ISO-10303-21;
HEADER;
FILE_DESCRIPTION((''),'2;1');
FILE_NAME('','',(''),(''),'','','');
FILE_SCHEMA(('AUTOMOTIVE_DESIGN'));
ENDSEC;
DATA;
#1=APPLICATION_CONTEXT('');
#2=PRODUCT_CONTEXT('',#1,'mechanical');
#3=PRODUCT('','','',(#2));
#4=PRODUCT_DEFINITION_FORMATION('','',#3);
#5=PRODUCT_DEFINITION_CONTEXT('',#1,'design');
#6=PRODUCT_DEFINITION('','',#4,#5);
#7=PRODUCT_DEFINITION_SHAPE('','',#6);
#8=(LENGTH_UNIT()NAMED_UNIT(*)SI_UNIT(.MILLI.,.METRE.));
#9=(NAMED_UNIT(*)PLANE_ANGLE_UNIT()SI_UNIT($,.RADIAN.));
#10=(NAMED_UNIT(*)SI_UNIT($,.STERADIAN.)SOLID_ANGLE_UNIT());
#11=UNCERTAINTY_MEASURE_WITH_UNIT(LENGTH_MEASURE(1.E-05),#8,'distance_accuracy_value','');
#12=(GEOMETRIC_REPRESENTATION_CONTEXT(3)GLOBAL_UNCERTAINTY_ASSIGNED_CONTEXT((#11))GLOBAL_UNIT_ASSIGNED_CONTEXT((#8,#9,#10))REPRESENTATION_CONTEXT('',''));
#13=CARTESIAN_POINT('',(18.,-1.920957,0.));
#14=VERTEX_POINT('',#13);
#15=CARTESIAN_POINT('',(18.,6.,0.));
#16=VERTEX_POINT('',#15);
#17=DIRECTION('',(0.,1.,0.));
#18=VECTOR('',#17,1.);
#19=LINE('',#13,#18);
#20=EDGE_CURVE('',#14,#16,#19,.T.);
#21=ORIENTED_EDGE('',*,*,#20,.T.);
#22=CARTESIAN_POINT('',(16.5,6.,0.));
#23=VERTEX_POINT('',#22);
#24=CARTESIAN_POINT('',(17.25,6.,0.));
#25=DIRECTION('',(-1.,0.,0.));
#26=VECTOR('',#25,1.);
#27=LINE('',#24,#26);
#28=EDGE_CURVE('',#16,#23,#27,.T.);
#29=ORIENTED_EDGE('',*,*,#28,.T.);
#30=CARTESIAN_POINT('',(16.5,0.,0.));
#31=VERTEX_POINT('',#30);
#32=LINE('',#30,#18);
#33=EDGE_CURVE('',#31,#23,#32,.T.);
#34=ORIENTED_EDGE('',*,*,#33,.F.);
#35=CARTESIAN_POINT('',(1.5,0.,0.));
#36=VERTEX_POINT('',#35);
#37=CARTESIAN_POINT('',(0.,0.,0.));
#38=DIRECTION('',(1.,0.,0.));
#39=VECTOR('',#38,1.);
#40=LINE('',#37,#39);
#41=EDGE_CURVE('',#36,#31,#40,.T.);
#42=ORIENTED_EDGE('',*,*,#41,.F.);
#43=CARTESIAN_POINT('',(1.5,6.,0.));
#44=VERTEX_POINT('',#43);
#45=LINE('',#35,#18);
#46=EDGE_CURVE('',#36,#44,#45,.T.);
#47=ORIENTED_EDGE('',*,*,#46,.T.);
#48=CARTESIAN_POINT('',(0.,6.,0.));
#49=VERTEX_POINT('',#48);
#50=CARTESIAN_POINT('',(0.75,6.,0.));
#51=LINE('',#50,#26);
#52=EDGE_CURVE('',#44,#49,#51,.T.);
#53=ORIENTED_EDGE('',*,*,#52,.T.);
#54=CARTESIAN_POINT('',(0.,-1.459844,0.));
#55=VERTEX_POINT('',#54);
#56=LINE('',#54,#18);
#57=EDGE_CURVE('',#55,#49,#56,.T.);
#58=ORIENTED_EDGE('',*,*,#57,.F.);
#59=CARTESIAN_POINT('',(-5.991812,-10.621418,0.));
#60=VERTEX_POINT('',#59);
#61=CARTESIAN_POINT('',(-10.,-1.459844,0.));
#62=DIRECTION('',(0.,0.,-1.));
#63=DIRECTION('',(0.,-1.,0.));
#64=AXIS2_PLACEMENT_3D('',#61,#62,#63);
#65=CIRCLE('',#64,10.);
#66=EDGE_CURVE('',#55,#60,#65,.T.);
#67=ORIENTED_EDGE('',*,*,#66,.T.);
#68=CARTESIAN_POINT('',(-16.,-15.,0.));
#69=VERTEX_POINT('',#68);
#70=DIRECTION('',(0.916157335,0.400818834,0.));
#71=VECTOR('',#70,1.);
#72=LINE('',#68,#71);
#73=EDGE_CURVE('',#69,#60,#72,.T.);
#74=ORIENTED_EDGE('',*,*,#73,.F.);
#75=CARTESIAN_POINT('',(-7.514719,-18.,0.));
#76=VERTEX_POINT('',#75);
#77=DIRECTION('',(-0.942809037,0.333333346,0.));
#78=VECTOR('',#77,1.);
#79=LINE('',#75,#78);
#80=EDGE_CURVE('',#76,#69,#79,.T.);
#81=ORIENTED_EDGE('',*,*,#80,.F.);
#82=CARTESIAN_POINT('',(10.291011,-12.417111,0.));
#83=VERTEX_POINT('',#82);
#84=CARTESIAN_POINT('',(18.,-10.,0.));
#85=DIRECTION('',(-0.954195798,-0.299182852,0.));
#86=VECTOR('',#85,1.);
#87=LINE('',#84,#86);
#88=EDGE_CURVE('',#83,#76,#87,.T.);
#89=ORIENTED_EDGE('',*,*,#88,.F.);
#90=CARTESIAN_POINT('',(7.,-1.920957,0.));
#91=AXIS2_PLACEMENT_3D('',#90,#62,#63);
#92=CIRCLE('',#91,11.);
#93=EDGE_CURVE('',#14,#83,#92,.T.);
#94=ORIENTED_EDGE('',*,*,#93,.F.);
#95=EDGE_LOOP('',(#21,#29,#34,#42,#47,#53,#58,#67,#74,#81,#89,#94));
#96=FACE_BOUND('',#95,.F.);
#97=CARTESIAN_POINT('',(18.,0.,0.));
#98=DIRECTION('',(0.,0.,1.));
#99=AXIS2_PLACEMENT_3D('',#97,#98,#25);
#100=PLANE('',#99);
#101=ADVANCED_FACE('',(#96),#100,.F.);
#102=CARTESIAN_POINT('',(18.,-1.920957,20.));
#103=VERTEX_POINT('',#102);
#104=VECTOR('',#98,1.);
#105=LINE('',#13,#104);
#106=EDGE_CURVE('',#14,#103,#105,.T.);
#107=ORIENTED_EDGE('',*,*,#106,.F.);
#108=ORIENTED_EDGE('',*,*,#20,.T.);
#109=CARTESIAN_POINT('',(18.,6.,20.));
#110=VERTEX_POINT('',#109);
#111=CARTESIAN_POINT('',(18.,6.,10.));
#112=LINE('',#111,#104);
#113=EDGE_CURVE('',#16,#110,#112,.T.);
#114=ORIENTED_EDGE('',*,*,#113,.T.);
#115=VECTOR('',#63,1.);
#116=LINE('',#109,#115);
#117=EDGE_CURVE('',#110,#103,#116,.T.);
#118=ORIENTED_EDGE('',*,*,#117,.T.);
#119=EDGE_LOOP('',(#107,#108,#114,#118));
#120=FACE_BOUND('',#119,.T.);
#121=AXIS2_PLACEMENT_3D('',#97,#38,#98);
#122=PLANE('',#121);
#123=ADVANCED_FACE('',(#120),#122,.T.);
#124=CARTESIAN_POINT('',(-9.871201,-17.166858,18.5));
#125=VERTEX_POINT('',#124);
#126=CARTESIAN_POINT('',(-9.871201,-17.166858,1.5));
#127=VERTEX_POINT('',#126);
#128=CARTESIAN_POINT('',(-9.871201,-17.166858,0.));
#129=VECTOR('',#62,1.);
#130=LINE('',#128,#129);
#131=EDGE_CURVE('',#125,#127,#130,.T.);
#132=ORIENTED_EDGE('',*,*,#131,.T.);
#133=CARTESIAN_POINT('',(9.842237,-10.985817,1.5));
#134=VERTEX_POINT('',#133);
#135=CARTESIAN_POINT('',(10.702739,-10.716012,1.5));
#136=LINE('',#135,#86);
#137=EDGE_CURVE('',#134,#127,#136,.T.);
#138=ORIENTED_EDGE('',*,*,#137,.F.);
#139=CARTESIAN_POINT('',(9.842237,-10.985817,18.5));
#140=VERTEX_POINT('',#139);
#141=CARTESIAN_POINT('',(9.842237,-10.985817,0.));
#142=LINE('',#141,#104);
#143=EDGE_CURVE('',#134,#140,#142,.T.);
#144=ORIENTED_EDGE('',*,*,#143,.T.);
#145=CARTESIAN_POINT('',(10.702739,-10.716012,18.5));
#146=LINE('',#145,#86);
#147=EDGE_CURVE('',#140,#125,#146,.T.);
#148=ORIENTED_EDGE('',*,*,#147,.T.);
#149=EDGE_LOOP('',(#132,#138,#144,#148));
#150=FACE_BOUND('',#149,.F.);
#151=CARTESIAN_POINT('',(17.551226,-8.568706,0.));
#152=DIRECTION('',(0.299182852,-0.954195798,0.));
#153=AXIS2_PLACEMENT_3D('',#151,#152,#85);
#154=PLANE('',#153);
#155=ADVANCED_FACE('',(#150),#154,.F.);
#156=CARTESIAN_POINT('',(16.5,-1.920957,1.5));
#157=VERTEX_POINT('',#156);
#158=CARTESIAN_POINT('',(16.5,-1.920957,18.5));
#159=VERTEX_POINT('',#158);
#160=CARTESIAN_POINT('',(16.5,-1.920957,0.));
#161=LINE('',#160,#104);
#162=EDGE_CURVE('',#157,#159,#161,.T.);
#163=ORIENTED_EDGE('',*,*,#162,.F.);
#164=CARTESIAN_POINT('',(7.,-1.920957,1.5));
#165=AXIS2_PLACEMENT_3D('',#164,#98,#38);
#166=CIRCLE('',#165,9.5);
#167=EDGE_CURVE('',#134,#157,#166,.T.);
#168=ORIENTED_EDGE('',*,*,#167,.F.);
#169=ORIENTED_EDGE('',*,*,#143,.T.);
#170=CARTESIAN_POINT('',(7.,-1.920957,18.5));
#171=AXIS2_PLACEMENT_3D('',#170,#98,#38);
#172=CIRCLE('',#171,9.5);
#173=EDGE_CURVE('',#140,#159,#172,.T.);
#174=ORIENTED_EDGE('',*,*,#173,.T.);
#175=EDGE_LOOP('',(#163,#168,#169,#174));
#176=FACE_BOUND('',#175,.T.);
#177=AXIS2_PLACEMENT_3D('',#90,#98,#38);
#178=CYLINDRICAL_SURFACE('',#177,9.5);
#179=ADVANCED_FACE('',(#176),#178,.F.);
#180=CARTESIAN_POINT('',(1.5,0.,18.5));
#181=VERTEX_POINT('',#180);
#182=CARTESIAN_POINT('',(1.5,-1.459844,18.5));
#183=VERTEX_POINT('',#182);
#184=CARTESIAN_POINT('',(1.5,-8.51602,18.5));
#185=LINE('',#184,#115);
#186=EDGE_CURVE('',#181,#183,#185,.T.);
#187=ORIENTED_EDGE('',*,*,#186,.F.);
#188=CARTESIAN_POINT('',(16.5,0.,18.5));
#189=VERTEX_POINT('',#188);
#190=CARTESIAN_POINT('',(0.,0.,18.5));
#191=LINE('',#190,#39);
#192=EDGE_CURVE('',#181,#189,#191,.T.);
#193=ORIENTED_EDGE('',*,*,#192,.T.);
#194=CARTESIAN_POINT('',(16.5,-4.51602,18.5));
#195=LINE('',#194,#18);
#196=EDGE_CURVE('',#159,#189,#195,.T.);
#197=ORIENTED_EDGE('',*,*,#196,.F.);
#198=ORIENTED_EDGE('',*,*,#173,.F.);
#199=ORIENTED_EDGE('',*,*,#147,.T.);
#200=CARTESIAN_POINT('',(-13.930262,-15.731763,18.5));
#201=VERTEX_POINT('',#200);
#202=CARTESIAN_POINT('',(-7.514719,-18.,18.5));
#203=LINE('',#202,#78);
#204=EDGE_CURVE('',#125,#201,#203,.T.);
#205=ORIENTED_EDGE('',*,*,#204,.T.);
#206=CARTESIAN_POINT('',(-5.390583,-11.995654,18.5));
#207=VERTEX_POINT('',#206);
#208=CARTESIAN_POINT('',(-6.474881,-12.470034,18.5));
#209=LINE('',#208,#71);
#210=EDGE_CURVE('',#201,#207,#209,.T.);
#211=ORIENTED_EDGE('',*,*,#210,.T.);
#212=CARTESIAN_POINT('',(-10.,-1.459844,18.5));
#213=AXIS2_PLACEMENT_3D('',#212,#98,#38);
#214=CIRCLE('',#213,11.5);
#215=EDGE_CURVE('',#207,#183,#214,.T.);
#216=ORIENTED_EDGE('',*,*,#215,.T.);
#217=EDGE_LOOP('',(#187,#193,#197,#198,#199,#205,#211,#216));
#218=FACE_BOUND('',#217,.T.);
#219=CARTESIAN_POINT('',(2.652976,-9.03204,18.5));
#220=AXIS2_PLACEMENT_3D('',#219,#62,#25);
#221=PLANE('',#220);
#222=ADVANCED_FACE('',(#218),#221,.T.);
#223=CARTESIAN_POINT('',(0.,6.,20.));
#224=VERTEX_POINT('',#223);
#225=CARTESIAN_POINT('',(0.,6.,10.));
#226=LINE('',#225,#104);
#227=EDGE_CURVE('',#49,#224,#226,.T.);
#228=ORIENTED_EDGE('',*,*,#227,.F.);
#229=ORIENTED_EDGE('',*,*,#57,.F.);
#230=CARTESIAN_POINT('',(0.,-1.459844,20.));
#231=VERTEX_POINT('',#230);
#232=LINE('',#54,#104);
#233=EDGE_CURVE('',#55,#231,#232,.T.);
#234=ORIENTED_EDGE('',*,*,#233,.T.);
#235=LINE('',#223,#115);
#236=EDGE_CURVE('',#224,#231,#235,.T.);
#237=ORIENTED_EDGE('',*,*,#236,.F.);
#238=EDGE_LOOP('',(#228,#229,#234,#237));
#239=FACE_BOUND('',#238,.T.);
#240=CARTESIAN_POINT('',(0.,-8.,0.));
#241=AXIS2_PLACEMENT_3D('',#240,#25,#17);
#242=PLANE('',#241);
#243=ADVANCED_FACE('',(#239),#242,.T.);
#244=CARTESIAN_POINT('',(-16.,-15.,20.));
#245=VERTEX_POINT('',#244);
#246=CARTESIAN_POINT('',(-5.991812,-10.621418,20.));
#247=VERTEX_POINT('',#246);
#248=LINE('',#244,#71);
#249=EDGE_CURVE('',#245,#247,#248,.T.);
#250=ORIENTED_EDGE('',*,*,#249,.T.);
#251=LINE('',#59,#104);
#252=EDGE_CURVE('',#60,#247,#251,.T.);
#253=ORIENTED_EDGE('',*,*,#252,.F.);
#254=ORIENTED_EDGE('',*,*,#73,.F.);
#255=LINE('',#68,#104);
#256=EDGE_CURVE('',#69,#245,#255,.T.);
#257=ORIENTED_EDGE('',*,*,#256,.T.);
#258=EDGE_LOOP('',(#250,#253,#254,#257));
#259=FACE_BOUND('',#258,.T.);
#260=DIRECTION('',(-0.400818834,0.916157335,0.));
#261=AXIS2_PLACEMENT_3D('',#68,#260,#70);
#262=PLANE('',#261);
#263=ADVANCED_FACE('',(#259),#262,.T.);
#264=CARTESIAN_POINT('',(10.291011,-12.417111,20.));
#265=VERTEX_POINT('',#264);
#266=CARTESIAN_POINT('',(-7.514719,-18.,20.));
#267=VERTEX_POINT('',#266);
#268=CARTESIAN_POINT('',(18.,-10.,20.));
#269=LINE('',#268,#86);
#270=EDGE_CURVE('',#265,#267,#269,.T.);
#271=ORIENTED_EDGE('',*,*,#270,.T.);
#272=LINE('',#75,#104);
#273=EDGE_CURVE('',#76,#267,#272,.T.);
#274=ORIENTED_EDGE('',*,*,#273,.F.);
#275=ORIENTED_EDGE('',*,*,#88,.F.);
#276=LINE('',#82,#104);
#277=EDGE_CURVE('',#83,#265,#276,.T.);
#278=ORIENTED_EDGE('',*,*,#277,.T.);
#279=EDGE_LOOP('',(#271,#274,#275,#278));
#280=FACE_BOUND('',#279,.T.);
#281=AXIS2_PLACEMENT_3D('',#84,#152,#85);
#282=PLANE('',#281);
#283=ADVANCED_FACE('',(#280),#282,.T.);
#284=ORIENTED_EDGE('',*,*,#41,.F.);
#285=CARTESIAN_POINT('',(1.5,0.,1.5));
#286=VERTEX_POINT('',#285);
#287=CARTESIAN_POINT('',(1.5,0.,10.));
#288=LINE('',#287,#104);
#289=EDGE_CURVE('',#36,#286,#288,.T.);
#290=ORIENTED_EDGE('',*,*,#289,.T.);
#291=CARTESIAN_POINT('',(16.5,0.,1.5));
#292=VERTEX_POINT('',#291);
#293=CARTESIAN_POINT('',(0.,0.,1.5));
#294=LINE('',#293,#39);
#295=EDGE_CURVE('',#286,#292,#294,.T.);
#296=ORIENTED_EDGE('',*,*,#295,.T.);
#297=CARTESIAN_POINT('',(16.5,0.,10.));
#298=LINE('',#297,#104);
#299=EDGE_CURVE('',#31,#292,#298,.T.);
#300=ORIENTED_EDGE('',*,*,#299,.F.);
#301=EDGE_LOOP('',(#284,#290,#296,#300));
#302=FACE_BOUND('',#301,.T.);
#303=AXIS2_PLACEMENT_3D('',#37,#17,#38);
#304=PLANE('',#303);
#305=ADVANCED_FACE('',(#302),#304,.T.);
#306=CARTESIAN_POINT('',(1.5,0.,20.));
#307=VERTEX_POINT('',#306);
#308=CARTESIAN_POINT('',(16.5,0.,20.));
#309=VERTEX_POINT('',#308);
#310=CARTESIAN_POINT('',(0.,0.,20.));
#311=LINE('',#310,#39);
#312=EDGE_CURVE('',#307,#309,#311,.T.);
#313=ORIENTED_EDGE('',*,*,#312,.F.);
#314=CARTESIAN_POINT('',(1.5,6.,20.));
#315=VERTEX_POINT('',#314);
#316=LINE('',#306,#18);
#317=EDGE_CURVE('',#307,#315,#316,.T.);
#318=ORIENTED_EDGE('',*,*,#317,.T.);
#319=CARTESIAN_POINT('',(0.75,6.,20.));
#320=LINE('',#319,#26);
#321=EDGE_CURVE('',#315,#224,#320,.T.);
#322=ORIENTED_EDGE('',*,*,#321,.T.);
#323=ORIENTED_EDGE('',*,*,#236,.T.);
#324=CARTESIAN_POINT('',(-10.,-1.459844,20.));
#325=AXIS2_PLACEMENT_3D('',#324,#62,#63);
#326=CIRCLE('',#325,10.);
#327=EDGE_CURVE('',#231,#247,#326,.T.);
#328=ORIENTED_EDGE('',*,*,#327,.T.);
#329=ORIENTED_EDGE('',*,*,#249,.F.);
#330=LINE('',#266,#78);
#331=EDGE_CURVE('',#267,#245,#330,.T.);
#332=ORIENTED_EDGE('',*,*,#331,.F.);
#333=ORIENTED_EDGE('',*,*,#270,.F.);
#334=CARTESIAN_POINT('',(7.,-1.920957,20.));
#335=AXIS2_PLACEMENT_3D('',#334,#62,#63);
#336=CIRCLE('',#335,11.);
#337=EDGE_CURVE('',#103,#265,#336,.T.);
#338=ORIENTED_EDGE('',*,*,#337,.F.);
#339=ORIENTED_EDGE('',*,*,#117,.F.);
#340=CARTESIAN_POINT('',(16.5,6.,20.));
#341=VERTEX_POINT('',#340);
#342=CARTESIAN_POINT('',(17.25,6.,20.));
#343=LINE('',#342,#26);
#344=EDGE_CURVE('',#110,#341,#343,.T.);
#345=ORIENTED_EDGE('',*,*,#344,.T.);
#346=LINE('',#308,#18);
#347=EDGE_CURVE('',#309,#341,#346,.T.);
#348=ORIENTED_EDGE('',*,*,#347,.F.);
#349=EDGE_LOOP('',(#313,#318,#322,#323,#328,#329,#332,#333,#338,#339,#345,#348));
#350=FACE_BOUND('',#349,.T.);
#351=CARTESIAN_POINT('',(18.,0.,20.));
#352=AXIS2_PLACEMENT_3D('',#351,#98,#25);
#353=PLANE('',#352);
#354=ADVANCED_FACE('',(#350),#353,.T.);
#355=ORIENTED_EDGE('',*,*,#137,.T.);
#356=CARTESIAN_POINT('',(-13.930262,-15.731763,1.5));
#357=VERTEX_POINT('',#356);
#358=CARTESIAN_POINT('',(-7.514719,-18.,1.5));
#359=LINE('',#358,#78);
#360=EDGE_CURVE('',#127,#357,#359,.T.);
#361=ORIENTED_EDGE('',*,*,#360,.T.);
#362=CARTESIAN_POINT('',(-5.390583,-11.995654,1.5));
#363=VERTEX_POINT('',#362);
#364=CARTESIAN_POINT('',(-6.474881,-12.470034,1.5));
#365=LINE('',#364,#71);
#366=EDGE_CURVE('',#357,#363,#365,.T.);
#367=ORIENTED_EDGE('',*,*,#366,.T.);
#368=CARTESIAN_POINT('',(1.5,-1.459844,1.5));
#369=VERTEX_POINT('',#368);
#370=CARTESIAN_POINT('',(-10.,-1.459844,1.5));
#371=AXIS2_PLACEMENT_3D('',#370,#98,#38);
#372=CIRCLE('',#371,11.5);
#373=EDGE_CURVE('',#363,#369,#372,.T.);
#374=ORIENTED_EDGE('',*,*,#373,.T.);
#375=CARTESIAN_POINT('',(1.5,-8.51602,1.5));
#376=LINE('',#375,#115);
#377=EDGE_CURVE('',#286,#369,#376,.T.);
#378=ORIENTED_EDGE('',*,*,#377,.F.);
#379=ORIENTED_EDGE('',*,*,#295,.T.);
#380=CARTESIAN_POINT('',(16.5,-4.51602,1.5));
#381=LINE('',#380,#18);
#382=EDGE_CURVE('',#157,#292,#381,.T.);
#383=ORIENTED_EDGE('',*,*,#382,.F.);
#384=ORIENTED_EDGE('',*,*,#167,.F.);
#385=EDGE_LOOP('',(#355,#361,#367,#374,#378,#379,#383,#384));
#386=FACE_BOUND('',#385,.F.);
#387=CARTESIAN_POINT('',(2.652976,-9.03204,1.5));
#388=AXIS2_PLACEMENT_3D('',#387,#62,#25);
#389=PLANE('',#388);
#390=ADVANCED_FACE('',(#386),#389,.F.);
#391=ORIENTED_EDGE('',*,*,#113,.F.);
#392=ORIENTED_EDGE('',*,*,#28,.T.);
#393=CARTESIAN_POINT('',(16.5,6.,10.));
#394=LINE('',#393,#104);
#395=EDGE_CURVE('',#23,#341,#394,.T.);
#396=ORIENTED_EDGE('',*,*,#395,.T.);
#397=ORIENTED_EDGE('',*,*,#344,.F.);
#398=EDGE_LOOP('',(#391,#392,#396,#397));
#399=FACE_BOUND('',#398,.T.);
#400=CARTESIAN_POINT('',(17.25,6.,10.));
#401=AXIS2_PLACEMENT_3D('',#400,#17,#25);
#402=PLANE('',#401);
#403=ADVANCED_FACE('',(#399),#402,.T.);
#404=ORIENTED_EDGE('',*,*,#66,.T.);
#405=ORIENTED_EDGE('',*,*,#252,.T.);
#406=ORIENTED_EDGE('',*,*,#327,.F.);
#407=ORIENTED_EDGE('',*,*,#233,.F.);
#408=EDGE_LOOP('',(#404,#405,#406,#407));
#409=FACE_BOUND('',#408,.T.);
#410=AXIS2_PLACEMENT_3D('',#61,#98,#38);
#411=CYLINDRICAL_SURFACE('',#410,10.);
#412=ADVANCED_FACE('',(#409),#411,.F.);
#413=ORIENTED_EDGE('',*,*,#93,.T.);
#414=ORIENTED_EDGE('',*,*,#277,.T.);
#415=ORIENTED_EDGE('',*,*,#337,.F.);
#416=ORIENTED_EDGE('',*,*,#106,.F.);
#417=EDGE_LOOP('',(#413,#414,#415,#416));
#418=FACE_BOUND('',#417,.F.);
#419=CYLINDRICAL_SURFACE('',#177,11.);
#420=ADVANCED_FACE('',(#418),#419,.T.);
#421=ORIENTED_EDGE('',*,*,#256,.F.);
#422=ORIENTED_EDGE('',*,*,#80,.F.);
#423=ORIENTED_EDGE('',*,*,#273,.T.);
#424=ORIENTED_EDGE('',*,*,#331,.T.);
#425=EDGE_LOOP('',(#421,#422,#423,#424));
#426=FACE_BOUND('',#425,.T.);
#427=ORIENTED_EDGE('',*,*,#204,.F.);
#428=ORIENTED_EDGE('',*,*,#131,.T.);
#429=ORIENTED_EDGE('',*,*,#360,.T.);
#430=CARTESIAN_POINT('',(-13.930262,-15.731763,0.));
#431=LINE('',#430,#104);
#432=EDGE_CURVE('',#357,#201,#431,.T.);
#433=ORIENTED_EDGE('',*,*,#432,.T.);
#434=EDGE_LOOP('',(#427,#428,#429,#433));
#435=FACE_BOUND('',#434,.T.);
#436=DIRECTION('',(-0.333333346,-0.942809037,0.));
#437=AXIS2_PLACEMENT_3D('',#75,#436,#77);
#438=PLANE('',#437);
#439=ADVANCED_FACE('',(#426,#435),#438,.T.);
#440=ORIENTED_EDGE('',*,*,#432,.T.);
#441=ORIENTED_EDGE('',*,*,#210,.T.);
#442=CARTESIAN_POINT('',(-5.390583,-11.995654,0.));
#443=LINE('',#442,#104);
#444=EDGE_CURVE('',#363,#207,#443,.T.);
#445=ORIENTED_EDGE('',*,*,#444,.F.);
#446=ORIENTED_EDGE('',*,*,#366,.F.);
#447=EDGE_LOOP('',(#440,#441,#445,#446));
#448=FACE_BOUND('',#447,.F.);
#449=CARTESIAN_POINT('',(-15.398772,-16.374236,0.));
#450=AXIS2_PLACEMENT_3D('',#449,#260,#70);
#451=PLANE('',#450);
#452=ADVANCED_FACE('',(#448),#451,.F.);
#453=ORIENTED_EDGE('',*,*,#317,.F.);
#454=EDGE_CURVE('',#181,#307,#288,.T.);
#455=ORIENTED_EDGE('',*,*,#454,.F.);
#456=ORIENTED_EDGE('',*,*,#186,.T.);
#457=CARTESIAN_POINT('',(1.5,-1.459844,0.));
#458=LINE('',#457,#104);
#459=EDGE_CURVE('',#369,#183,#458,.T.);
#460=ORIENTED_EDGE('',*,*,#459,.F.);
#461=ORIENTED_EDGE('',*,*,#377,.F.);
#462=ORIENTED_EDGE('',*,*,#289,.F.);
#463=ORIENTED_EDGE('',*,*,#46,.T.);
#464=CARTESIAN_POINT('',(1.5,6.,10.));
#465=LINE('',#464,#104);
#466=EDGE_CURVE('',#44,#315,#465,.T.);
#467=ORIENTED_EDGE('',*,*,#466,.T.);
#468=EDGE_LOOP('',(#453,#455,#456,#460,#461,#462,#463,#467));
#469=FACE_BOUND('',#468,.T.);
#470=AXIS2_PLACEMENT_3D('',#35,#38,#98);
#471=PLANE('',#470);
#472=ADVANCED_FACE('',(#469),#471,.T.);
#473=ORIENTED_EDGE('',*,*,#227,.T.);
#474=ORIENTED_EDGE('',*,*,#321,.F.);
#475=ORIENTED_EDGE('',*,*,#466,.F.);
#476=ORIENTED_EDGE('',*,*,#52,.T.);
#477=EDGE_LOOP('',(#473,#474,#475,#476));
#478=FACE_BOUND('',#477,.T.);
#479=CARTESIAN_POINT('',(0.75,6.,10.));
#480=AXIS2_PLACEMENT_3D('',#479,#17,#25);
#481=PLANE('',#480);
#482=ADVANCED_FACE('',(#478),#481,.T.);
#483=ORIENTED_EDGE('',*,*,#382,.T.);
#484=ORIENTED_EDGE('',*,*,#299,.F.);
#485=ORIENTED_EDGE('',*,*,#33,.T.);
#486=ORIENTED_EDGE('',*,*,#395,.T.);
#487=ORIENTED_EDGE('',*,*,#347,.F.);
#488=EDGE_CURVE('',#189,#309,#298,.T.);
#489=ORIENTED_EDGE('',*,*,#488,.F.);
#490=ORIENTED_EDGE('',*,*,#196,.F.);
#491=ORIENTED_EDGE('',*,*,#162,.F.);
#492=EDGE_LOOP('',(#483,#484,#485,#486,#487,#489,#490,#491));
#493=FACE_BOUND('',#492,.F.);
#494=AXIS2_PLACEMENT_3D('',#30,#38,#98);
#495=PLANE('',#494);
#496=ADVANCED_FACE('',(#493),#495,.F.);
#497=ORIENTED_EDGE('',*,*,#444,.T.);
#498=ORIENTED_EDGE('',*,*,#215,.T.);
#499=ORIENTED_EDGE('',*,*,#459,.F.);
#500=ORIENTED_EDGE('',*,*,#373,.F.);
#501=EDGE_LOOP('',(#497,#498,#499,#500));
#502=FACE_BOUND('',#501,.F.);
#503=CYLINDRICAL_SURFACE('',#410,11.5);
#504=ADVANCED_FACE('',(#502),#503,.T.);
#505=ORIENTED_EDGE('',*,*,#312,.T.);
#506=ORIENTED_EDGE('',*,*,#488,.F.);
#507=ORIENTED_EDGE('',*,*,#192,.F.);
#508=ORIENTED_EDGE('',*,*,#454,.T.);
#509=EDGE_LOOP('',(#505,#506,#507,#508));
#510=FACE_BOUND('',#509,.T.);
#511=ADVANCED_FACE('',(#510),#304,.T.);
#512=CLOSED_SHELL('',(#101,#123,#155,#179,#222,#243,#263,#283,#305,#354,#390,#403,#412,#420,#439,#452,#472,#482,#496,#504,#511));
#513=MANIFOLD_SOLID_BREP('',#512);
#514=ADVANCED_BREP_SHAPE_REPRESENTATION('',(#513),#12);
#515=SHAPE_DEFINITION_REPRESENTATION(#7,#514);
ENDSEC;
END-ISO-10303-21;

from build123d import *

# Parameters (mm, degrees)
PAD_DEPTH    = 20
FILLET_R     = 11
FILLET001_R  = 10
THICKNESS_T  = -1.5
SKETCH001_W  = 1.5
SKETCH001_H  = 20
PAD001_DEPTH = 6


with BuildPart() as part:
    # Sketch → Pad (new body)
    with BuildSketch(Plane.XY):
        Polygon((0, 0), (18, 0), (18, -10), (-7.514719, -18), (-16, -15), (0, -8), align=None)
    extrude(amount=PAD_DEPTH)

    # Fillet
    fillet_edges = [part.edges().sort_by_distance(p)[0] for p in [
        (18, -10, 10),
    ]]
    fillet(fillet_edges, radius=FILLET_R)

    # Fillet001
    fillet001_edges = [part.edges().sort_by_distance(p)[0] for p in [
        (0, -8, 10),
    ]]
    fillet(fillet001_edges, radius=FILLET001_R)

    # Thickness
    thickness_openings = [part.faces().sort_by_distance(p)[0] for p in [
        (9, 0, 10),
        (-11.757359, -16.5, 10),
    ]]
    offset(amount=THICKNESS_T, openings=thickness_openings)

    # Sketch001 → Pad001 (new body)
    with BuildSketch(Plane(origin=(0, 0, 0), x_dir=(-1, 0, 0), z_dir=(0, 1, 0))):
        with Locations((-17.25, 10)):
            Rectangle(SKETCH001_W, SKETCH001_H)
        with Locations((-0.75, 10)):
            Rectangle(SKETCH001_W, SKETCH001_H)
    extrude(amount=PAD001_DEPTH)


solid = part.part
